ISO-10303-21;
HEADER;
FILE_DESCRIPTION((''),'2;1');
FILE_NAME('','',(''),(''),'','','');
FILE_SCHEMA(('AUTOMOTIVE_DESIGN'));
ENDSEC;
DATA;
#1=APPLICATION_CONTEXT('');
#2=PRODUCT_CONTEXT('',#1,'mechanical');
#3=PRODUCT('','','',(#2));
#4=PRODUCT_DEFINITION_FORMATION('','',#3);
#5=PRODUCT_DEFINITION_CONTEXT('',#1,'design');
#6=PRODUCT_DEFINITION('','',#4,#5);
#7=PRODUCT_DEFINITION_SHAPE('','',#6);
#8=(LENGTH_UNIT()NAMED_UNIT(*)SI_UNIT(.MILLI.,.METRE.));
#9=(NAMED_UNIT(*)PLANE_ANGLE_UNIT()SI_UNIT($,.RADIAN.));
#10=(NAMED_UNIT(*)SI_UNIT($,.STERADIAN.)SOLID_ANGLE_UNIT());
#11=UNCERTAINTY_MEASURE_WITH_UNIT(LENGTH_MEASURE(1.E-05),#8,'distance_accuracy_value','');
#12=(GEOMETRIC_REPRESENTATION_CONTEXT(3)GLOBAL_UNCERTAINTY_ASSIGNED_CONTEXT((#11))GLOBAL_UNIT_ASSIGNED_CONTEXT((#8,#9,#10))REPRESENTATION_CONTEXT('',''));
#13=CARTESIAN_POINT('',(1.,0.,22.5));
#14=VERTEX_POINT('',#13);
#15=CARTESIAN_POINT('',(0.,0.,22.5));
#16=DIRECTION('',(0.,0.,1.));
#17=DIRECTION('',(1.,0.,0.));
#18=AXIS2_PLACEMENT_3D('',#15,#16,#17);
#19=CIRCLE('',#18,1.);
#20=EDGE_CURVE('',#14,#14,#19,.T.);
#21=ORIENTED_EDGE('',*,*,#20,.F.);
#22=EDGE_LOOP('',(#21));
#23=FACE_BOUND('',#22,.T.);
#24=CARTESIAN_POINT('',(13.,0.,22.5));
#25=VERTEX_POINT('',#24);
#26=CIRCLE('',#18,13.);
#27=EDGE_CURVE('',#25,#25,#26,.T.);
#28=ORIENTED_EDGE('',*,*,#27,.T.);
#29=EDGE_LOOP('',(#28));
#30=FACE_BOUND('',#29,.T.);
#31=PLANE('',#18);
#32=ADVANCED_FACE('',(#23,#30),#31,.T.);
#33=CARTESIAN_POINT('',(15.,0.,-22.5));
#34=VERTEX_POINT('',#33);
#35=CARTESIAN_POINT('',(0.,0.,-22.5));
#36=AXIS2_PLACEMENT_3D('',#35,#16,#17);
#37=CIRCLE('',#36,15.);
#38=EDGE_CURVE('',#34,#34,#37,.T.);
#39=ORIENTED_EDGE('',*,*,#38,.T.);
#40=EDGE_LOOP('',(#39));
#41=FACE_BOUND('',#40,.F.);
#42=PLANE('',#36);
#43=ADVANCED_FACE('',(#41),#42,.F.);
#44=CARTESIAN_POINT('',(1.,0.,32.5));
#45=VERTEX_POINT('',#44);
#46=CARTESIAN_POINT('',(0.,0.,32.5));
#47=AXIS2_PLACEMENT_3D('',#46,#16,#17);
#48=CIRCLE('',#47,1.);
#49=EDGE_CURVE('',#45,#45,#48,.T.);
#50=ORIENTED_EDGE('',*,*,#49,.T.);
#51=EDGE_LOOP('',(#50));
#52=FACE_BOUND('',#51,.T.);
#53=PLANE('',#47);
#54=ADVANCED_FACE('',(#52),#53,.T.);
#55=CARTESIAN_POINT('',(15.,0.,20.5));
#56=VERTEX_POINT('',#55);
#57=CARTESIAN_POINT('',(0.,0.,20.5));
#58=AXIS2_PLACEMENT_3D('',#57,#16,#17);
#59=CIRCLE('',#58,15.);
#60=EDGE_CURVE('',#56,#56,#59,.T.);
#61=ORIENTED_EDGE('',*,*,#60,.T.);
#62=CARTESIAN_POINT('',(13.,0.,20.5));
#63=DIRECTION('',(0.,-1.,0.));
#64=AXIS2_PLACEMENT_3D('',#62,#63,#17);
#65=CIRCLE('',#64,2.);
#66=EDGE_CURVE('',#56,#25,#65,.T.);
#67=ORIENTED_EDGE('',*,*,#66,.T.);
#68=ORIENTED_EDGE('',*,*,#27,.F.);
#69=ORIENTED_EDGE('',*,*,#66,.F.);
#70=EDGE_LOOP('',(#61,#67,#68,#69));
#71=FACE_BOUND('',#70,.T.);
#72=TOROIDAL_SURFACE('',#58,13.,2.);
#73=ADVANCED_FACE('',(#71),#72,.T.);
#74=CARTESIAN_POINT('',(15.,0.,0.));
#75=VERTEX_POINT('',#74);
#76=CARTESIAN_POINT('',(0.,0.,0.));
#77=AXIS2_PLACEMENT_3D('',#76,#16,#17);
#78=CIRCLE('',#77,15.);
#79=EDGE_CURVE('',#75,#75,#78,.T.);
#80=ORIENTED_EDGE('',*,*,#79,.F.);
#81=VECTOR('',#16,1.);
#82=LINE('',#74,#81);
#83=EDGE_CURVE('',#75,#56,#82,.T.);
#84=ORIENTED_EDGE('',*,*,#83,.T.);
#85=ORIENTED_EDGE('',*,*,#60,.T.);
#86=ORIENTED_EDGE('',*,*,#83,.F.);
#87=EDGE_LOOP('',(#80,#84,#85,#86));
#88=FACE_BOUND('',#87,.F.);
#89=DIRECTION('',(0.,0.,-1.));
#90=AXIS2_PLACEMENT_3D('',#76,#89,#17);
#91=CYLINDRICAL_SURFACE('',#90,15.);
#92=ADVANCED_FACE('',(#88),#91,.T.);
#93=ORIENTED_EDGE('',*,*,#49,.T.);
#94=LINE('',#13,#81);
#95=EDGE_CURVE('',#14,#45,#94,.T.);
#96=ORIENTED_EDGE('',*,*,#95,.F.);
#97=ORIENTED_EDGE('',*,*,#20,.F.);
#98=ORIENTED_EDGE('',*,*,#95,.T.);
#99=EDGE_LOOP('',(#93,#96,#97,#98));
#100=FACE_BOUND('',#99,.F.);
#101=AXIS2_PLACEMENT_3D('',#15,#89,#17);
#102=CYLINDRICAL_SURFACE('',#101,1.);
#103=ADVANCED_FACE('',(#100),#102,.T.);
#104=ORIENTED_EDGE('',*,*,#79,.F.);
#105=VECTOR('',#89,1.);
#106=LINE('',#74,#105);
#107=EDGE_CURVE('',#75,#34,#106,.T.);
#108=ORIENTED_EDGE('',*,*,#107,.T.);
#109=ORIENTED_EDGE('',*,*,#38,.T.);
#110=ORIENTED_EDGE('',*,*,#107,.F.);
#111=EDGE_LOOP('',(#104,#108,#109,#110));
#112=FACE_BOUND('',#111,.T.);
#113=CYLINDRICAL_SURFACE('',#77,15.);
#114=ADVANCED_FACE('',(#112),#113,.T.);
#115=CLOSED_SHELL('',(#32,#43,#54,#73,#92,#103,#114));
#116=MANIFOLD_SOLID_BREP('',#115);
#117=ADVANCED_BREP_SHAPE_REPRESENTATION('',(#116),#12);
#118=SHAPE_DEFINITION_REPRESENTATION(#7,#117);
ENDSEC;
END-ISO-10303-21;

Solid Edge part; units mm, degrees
sketch "Sketch1" plane through (0, 0, 0) normal (0, 0, 1) x (1, 0, 0)
  circle A0 centre (0, 0) radius 15
  dimension "D1" = 30
extrude "Ajout_matière_1" add sketch "Sketch1" along normal mid plane 45
sketch "Sketch2" plane through (0, 0, 22.5) normal (0, 0, 1) x (1, 0, 0)
  circle A0 centre (0, 0) radius 1
  dimension "D1" = 2
extrude "Ajout_matière_2" add sketch "Sketch2" along normal blind 10
fillet "Congé_1" radius 2 1 edges at (-15, 0, 22.5)
properties material "Acier S235"
